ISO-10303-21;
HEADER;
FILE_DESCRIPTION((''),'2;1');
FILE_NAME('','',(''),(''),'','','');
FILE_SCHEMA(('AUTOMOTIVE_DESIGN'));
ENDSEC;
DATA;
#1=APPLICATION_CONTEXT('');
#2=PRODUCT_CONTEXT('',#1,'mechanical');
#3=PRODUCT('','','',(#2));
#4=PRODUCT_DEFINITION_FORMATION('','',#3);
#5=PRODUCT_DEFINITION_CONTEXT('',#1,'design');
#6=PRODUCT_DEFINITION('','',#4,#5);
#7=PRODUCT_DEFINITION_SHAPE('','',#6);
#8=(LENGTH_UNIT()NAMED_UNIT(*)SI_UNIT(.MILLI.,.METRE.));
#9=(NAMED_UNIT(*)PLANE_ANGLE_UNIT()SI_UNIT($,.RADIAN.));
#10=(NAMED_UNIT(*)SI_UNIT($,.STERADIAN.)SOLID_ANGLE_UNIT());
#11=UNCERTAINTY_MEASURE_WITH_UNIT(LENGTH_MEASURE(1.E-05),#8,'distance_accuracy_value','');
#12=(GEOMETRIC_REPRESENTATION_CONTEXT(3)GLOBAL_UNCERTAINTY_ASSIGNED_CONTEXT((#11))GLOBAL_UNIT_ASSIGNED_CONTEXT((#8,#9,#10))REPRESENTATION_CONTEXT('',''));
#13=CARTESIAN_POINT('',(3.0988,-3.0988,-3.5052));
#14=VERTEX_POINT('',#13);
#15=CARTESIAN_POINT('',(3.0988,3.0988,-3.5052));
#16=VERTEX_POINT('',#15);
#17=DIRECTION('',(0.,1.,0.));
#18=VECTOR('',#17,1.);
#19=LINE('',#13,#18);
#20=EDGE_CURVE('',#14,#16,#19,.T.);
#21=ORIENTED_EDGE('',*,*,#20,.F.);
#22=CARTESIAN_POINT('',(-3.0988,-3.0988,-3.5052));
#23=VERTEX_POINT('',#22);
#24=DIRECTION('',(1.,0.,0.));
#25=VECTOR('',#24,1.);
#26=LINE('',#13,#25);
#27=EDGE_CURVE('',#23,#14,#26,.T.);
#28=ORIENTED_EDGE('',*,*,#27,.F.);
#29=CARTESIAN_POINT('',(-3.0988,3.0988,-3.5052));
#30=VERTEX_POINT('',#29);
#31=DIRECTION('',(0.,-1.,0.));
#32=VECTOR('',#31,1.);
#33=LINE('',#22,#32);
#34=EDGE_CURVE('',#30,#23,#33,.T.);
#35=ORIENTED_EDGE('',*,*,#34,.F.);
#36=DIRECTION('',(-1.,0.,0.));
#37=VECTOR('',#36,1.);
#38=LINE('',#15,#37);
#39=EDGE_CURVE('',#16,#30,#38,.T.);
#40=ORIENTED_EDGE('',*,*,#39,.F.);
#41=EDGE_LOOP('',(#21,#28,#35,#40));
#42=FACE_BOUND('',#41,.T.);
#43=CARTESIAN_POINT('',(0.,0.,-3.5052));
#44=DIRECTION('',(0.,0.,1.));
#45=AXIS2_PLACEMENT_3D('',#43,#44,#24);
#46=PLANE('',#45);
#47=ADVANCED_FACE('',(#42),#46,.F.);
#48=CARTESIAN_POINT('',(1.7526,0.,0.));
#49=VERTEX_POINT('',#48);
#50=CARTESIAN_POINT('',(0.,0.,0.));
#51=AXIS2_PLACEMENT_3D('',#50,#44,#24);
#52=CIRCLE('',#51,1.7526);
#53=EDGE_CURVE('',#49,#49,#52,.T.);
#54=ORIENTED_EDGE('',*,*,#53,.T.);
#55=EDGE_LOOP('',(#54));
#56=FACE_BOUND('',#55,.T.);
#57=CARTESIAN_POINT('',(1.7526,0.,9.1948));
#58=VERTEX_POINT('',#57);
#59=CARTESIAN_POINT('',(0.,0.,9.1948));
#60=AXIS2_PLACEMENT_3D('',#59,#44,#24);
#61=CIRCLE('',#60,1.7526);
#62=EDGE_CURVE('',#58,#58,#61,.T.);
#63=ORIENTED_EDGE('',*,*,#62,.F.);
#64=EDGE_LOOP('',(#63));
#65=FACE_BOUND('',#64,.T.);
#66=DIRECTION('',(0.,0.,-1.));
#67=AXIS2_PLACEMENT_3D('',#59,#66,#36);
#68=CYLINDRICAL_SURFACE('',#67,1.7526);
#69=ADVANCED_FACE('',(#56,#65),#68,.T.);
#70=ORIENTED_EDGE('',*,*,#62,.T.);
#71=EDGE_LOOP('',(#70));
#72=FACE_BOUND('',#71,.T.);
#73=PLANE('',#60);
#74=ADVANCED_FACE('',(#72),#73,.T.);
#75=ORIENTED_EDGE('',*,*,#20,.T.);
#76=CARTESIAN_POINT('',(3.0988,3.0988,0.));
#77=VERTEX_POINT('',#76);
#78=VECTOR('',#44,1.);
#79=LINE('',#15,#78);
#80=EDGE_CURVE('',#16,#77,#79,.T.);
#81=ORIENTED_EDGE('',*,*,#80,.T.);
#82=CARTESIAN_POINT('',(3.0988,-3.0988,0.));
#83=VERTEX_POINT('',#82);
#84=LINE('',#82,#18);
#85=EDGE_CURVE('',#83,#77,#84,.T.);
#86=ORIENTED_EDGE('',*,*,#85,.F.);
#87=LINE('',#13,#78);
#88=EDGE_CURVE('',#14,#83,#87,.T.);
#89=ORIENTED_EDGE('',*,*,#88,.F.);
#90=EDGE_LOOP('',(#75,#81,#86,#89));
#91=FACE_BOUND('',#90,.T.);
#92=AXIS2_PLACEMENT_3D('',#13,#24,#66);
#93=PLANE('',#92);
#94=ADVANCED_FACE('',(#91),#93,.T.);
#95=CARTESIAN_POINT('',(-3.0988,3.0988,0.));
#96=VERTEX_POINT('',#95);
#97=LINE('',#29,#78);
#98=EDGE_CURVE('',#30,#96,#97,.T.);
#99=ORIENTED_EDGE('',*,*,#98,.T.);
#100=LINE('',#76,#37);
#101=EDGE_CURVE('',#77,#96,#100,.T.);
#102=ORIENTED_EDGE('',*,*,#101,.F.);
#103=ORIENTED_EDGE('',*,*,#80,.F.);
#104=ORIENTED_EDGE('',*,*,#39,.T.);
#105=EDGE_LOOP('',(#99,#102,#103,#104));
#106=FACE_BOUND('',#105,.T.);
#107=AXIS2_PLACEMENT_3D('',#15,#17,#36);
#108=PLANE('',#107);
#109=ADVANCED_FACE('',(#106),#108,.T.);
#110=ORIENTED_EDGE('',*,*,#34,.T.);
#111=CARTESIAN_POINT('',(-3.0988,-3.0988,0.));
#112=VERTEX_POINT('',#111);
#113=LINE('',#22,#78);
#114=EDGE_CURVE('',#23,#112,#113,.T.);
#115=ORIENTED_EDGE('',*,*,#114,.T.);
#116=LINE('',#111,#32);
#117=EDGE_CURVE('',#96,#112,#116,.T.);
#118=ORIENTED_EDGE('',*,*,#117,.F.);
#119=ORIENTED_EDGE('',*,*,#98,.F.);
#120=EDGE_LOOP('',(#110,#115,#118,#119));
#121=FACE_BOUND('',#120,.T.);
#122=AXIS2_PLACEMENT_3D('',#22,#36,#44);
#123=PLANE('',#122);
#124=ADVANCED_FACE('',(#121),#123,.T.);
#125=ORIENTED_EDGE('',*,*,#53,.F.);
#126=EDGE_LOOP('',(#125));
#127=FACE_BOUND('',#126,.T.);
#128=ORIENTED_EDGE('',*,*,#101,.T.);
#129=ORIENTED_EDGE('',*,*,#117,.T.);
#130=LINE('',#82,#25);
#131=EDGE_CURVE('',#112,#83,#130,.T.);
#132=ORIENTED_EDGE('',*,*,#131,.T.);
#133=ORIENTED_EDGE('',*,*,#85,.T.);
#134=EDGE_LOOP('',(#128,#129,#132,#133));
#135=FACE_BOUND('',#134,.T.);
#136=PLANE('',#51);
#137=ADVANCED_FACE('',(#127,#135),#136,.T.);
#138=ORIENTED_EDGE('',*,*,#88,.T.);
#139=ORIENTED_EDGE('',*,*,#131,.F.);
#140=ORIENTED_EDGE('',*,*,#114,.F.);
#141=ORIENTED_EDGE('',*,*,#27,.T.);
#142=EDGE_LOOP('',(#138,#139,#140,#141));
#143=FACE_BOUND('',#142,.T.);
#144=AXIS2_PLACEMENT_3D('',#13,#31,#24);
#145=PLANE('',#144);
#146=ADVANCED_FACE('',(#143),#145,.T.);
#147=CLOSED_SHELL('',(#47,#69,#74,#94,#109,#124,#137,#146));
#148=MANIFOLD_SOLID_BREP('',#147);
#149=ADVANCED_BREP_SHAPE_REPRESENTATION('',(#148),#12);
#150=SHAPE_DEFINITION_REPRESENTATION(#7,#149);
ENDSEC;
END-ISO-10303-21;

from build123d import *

# Parameters (mm, degrees)
SKETCH1_W           = 6.1976
SKETCH1_H           = 6.1976
BOSS_EXTRUDE1_DEPTH = 3.5052
SKETCH2_R           = 1.7526
BOSS_EXTRUDE2_DEPTH = 9.1948


with BuildPart() as part:
    # Sketch1 → Boss-Extrude1 (new body)
    with BuildSketch(Plane.XY):
        Rectangle(SKETCH1_W, SKETCH1_H)
    extrude(amount=-BOSS_EXTRUDE1_DEPTH)

    # Sketch2 → Boss-Extrude2 (add)
    with BuildSketch(Plane.XY):
        Circle(SKETCH2_R)
    extrude(amount=BOSS_EXTRUDE2_DEPTH)


solid = part.part
